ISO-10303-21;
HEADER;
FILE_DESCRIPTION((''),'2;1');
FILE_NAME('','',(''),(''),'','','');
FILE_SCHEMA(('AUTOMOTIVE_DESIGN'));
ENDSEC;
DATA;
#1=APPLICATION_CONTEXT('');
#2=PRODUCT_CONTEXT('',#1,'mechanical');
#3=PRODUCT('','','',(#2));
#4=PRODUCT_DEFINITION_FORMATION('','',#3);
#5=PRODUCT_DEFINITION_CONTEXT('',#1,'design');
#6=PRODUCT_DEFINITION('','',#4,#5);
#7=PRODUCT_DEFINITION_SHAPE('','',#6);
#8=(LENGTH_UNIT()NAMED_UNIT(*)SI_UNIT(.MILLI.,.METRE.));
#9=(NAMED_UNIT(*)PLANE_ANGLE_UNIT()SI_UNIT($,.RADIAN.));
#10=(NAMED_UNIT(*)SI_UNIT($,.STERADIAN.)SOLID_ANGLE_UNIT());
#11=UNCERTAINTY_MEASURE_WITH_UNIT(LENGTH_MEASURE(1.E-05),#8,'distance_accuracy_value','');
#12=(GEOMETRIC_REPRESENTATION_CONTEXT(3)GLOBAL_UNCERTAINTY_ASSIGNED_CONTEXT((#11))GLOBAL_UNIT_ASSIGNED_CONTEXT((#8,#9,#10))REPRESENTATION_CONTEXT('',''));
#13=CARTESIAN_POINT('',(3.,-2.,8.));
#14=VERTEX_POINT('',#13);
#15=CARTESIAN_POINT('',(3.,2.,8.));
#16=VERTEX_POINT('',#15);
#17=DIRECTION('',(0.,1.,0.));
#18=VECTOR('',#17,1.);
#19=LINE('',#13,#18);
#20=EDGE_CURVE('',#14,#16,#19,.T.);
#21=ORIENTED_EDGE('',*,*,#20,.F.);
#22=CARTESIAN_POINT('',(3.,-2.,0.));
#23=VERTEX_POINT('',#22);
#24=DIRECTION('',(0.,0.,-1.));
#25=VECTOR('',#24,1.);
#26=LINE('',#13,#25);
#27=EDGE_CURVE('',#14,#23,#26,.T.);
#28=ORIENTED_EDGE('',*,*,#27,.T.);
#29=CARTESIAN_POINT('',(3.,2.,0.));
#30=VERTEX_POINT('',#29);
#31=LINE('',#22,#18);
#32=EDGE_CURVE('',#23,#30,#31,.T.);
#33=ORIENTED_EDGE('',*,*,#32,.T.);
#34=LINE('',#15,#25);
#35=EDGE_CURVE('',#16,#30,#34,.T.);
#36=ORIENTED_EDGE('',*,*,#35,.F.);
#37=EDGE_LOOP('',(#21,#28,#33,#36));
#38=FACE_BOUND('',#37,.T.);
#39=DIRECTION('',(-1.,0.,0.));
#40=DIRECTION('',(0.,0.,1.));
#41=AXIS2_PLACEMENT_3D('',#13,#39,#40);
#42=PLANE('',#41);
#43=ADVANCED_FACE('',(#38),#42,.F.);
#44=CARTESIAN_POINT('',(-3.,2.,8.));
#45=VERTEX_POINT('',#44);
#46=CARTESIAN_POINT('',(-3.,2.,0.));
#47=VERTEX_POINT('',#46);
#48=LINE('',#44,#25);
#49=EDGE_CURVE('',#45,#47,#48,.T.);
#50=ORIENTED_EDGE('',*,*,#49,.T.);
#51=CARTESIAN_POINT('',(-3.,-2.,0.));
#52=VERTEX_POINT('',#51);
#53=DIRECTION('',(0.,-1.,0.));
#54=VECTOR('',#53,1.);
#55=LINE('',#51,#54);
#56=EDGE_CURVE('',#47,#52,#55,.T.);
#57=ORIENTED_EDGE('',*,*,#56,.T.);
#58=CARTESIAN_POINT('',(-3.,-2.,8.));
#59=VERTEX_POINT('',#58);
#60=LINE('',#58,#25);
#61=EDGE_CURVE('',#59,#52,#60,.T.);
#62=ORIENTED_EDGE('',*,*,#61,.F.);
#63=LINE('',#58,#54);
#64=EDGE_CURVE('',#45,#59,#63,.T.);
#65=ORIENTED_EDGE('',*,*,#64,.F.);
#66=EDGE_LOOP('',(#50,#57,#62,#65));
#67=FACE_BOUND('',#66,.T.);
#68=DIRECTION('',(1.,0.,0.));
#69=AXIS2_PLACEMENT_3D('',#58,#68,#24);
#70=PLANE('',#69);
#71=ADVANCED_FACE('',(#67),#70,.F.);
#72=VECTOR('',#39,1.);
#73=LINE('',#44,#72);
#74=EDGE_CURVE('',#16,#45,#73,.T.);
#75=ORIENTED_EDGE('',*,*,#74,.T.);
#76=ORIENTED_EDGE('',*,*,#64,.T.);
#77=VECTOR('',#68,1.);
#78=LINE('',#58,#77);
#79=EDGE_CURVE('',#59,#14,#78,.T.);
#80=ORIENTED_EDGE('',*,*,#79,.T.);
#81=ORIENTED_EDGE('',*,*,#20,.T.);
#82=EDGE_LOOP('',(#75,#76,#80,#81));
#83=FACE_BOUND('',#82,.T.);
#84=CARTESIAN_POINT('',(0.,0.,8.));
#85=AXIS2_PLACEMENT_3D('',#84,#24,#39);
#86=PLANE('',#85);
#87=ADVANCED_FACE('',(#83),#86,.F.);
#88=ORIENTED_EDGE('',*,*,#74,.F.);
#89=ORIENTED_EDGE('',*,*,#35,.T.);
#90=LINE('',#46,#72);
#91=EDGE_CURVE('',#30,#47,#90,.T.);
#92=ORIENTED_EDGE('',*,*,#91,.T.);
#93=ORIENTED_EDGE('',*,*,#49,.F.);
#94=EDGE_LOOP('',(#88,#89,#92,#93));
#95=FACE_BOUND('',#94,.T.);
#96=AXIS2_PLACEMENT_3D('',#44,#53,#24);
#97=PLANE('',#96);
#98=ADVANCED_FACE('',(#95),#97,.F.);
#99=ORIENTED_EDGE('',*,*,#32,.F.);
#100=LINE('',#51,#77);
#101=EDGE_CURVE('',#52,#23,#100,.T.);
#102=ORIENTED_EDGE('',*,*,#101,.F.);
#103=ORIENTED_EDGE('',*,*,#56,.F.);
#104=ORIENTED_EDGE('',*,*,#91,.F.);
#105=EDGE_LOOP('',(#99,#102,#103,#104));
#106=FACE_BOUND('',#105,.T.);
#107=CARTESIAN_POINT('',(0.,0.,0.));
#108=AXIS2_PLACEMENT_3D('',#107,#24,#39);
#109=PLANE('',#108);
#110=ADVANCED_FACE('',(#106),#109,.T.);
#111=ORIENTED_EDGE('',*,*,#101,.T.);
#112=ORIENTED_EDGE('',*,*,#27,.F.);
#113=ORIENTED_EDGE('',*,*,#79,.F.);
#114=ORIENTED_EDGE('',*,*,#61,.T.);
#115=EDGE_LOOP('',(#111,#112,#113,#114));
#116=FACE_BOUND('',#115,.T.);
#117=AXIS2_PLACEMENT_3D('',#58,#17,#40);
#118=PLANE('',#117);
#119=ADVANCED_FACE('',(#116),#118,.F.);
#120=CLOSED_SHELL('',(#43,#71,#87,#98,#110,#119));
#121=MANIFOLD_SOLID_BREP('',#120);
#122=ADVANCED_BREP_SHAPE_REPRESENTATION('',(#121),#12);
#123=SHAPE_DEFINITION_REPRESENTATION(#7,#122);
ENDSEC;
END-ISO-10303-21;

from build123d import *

# Parameters (mm, degrees)
SKETCH1_W           = 6
SKETCH1_H           = 4
BOSS_EXTRUDE1_DEPTH = 8


with BuildPart() as part:
    # Sketch1 → Boss-Extrude1 (new body)
    with BuildSketch(Plane.XY):
        Rectangle(SKETCH1_W, SKETCH1_H)
    extrude(amount=BOSS_EXTRUDE1_DEPTH)


solid = part.part
